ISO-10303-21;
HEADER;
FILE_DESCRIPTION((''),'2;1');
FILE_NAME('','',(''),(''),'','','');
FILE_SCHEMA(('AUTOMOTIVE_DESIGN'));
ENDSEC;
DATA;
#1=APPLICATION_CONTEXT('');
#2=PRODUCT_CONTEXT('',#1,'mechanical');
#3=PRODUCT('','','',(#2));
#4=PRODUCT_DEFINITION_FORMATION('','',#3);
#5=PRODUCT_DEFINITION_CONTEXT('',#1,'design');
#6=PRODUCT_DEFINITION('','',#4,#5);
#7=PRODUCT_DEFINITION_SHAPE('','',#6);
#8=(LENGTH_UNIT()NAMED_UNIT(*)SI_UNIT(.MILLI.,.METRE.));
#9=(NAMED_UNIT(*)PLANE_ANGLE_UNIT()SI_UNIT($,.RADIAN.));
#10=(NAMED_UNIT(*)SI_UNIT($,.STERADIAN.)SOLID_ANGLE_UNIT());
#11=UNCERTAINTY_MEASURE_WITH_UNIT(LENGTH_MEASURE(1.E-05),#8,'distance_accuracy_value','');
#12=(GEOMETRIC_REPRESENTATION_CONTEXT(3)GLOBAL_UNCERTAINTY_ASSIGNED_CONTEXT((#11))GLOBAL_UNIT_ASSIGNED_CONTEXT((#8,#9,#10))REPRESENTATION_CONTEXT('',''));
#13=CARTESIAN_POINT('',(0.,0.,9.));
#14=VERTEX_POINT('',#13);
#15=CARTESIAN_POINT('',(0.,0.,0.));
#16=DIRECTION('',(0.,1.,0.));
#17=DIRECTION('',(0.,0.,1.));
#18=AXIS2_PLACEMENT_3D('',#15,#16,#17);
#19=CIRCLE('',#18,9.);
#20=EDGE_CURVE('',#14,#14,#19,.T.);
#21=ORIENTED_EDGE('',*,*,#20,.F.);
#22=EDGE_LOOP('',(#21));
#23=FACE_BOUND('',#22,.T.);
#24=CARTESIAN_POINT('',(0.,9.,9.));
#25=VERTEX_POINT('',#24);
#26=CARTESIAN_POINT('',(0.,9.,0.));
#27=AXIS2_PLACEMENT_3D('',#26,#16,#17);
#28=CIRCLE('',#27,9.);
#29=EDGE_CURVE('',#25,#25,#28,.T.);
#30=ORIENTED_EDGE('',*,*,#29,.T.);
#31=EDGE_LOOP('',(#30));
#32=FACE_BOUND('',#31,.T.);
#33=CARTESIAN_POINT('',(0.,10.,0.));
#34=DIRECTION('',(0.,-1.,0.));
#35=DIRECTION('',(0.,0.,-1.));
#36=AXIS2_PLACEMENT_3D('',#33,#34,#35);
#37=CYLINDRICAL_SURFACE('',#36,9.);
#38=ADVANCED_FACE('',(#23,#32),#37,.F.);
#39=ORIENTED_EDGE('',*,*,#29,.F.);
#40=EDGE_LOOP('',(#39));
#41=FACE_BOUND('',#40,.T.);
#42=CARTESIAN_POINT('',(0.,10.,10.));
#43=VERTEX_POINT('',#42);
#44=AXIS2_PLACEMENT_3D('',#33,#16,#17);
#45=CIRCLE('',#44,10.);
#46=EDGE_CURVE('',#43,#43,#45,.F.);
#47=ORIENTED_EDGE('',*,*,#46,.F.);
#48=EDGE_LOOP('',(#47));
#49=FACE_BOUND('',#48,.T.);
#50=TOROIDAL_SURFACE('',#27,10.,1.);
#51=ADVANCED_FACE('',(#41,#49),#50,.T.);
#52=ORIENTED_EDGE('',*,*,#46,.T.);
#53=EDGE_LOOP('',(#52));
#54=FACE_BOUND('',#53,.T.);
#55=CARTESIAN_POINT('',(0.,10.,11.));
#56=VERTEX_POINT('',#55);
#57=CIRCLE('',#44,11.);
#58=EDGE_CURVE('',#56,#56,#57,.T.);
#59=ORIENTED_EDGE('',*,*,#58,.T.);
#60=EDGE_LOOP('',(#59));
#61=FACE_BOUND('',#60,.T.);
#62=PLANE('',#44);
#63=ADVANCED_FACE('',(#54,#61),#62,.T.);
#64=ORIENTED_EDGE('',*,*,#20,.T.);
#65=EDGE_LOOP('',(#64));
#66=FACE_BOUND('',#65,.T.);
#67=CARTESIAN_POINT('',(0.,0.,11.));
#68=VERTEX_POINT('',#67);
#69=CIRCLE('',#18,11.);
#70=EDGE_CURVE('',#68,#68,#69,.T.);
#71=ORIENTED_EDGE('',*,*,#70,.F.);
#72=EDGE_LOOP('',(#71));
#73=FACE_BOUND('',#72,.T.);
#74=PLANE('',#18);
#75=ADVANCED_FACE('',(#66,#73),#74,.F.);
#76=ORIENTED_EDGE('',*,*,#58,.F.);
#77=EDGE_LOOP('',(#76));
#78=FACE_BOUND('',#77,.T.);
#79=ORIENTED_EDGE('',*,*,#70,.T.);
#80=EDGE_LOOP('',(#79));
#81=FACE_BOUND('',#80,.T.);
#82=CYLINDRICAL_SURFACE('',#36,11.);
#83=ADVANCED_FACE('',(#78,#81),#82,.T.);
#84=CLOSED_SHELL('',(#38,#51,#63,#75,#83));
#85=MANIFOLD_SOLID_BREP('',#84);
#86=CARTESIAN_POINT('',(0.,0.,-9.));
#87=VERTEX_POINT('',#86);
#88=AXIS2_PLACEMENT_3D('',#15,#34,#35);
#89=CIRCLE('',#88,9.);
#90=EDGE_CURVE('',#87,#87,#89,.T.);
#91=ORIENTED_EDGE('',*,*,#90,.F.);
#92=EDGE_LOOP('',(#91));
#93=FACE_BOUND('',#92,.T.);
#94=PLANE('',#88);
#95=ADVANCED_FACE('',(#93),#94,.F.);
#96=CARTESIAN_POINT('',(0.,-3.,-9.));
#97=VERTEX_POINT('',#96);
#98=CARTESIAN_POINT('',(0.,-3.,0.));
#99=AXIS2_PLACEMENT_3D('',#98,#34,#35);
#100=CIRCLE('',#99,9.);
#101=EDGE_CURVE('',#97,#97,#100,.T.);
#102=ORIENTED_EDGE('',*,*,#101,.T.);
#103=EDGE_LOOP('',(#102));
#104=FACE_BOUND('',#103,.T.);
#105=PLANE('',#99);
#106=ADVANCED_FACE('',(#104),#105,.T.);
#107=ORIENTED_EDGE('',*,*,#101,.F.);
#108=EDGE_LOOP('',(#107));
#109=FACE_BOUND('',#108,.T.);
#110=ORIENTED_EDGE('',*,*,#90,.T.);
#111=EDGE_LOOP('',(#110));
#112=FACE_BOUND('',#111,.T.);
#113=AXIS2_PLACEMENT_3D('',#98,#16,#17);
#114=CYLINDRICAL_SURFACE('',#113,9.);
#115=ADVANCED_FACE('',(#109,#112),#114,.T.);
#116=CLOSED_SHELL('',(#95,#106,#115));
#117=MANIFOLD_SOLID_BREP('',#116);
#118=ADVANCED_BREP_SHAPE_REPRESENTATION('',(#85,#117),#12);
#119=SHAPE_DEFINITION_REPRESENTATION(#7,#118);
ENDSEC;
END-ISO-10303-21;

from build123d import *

# Parameters (mm, degrees)
SKETCH1_R           = 11
SKETCH1_R_2         = 9
BOSS_EXTRUDE1_DEPTH = 10
FILLET1_R           = 1
SKETCH2_R           = 9
BOSS_EXTRUDE2_DEPTH = 3


with BuildPart() as part:
    # Sketch1 → Boss-Extrude1 (new body)
    with BuildSketch(Plane(origin=(0, 0, 0), x_dir=(1, 0, 0), z_dir=(0, 1, 0))):
        Circle(SKETCH1_R)
        Circle(SKETCH1_R_2, mode=Mode.SUBTRACT)
    extrude(amount=BOSS_EXTRUDE1_DEPTH)

    # Fillet1
    fillet1_edges = [part.edges().sort_by_distance(p)[0] for p in [
        (-9, 10, 0),
    ]]
    fillet(fillet1_edges, radius=FILLET1_R)


with BuildPart() as body_2:
    # Sketch2 → Boss-Extrude2 (new body)
    with BuildSketch(Plane.XZ):
        Circle(SKETCH2_R)
    extrude(amount=BOSS_EXTRUDE2_DEPTH)


solid = Compound([part.part, body_2.part])
